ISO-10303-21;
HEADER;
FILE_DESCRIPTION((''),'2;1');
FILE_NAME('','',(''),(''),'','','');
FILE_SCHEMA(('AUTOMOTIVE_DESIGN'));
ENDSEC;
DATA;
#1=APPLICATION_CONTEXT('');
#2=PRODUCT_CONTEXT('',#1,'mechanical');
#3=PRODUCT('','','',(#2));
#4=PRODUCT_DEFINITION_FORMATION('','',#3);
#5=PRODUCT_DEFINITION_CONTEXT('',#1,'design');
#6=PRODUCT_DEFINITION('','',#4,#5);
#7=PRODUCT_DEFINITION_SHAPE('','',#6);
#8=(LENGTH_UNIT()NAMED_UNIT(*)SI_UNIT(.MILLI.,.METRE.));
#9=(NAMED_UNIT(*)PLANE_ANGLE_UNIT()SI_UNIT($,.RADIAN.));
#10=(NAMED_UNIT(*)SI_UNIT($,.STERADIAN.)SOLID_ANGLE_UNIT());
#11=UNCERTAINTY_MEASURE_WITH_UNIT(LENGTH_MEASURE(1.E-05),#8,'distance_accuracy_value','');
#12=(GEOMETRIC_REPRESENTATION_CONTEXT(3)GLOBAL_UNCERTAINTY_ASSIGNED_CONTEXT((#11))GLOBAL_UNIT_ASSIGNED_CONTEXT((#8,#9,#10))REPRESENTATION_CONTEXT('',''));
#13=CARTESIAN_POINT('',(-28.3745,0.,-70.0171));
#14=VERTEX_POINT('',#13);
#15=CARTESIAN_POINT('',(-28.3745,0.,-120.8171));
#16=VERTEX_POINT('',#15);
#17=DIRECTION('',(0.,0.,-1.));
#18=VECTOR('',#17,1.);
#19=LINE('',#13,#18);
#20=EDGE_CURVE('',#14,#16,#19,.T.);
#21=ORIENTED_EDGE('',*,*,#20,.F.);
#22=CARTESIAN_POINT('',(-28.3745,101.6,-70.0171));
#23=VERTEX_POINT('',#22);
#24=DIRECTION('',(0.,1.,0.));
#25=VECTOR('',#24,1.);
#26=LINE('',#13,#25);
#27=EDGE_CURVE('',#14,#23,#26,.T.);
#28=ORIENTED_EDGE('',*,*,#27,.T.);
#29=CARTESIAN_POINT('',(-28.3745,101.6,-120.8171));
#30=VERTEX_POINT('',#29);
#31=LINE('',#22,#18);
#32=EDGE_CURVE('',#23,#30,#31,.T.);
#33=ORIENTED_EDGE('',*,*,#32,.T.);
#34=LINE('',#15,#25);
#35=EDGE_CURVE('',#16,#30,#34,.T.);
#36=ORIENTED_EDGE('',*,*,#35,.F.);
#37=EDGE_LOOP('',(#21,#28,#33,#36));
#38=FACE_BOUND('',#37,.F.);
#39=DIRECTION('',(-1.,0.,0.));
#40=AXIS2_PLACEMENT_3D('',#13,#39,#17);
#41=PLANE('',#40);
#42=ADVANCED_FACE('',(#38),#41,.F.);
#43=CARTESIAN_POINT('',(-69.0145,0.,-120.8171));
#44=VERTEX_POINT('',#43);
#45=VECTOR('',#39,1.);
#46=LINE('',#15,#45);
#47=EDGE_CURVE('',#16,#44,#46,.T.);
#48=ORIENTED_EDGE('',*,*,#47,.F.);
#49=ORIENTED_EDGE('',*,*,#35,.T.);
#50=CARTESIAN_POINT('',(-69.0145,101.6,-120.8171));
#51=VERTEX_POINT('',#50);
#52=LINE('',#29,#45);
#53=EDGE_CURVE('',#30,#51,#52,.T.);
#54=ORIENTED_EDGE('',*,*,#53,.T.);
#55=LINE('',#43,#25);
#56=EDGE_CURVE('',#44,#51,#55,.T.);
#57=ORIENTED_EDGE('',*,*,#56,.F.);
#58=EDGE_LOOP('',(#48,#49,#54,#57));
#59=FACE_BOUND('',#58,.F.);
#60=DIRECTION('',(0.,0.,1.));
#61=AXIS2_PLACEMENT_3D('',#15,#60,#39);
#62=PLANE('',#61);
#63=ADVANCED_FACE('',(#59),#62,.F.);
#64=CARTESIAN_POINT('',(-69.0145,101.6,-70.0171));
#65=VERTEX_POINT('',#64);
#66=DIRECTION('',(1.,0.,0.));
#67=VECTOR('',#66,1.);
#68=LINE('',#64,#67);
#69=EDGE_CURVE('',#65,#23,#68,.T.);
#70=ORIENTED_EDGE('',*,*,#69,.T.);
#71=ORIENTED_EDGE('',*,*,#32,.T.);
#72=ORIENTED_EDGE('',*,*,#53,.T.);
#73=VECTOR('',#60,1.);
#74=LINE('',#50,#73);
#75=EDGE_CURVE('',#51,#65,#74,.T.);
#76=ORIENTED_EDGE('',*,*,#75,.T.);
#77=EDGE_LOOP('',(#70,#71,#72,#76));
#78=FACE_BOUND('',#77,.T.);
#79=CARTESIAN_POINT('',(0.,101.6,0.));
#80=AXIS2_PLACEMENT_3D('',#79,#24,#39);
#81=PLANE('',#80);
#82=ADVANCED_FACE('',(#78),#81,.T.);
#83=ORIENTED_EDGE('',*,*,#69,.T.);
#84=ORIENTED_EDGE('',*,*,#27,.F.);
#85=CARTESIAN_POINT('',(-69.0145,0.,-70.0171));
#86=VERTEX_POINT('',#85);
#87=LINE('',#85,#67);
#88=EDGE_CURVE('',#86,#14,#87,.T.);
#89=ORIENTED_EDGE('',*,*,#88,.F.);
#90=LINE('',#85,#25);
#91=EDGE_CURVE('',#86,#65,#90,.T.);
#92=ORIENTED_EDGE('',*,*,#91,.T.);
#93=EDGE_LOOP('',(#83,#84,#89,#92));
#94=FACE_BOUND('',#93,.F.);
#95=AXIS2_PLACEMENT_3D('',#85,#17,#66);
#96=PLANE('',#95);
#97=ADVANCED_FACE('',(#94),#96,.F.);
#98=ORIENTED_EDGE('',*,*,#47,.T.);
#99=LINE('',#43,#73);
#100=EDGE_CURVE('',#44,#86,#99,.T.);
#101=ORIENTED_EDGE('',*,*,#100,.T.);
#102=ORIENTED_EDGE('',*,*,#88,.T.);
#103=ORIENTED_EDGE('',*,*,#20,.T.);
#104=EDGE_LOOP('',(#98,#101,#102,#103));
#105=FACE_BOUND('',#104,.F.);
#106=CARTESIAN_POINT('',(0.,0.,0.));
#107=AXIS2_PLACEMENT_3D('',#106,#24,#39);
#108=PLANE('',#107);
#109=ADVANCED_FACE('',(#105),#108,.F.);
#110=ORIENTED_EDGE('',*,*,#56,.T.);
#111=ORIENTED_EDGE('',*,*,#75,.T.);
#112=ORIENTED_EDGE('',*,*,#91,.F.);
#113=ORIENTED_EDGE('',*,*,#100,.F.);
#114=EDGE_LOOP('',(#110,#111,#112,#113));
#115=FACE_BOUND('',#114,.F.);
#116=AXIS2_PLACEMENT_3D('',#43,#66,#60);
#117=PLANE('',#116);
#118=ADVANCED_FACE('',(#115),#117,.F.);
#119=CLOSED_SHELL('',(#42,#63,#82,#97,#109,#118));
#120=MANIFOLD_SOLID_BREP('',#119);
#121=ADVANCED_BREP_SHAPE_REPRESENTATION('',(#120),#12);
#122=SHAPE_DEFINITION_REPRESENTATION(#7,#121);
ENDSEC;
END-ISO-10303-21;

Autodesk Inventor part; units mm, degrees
ref_plane "YZ Plane" through (0, 0, 0) normal (1, 0, 0) x (0, 1, 0)
ref_plane "XZ Plane" through (0, 0, 0) normal (0, 1, 0) x (-1, 0, 0)
ref_plane "XY Plane" through (0, 0, 0) normal (0, 0, 1) x (1, 0, 0)
sketch "Sketch1" plane through (0, 0, 0) normal (0, 1, 0) x (-1, 0, 0)
  line L0 (69.0145, -70.0171) -> (28.3745, -70.0171)
  line L1 (28.3745, -70.0171) -> (28.3745, -120.8171)
  line L2 (28.3745, -120.8171) -> (69.0145, -120.8171)
  line L3 (69.0145, -120.8171) -> (69.0145, -70.0171)
  point P0 (0, 0)
  dimension "d0" = 50.8
  dimension "d1" = 40.64
extrude "Extrusion1" add sketch "Sketch1" along normal blind 101.6
properties part number "square peg" material "Wood (Oak)"
